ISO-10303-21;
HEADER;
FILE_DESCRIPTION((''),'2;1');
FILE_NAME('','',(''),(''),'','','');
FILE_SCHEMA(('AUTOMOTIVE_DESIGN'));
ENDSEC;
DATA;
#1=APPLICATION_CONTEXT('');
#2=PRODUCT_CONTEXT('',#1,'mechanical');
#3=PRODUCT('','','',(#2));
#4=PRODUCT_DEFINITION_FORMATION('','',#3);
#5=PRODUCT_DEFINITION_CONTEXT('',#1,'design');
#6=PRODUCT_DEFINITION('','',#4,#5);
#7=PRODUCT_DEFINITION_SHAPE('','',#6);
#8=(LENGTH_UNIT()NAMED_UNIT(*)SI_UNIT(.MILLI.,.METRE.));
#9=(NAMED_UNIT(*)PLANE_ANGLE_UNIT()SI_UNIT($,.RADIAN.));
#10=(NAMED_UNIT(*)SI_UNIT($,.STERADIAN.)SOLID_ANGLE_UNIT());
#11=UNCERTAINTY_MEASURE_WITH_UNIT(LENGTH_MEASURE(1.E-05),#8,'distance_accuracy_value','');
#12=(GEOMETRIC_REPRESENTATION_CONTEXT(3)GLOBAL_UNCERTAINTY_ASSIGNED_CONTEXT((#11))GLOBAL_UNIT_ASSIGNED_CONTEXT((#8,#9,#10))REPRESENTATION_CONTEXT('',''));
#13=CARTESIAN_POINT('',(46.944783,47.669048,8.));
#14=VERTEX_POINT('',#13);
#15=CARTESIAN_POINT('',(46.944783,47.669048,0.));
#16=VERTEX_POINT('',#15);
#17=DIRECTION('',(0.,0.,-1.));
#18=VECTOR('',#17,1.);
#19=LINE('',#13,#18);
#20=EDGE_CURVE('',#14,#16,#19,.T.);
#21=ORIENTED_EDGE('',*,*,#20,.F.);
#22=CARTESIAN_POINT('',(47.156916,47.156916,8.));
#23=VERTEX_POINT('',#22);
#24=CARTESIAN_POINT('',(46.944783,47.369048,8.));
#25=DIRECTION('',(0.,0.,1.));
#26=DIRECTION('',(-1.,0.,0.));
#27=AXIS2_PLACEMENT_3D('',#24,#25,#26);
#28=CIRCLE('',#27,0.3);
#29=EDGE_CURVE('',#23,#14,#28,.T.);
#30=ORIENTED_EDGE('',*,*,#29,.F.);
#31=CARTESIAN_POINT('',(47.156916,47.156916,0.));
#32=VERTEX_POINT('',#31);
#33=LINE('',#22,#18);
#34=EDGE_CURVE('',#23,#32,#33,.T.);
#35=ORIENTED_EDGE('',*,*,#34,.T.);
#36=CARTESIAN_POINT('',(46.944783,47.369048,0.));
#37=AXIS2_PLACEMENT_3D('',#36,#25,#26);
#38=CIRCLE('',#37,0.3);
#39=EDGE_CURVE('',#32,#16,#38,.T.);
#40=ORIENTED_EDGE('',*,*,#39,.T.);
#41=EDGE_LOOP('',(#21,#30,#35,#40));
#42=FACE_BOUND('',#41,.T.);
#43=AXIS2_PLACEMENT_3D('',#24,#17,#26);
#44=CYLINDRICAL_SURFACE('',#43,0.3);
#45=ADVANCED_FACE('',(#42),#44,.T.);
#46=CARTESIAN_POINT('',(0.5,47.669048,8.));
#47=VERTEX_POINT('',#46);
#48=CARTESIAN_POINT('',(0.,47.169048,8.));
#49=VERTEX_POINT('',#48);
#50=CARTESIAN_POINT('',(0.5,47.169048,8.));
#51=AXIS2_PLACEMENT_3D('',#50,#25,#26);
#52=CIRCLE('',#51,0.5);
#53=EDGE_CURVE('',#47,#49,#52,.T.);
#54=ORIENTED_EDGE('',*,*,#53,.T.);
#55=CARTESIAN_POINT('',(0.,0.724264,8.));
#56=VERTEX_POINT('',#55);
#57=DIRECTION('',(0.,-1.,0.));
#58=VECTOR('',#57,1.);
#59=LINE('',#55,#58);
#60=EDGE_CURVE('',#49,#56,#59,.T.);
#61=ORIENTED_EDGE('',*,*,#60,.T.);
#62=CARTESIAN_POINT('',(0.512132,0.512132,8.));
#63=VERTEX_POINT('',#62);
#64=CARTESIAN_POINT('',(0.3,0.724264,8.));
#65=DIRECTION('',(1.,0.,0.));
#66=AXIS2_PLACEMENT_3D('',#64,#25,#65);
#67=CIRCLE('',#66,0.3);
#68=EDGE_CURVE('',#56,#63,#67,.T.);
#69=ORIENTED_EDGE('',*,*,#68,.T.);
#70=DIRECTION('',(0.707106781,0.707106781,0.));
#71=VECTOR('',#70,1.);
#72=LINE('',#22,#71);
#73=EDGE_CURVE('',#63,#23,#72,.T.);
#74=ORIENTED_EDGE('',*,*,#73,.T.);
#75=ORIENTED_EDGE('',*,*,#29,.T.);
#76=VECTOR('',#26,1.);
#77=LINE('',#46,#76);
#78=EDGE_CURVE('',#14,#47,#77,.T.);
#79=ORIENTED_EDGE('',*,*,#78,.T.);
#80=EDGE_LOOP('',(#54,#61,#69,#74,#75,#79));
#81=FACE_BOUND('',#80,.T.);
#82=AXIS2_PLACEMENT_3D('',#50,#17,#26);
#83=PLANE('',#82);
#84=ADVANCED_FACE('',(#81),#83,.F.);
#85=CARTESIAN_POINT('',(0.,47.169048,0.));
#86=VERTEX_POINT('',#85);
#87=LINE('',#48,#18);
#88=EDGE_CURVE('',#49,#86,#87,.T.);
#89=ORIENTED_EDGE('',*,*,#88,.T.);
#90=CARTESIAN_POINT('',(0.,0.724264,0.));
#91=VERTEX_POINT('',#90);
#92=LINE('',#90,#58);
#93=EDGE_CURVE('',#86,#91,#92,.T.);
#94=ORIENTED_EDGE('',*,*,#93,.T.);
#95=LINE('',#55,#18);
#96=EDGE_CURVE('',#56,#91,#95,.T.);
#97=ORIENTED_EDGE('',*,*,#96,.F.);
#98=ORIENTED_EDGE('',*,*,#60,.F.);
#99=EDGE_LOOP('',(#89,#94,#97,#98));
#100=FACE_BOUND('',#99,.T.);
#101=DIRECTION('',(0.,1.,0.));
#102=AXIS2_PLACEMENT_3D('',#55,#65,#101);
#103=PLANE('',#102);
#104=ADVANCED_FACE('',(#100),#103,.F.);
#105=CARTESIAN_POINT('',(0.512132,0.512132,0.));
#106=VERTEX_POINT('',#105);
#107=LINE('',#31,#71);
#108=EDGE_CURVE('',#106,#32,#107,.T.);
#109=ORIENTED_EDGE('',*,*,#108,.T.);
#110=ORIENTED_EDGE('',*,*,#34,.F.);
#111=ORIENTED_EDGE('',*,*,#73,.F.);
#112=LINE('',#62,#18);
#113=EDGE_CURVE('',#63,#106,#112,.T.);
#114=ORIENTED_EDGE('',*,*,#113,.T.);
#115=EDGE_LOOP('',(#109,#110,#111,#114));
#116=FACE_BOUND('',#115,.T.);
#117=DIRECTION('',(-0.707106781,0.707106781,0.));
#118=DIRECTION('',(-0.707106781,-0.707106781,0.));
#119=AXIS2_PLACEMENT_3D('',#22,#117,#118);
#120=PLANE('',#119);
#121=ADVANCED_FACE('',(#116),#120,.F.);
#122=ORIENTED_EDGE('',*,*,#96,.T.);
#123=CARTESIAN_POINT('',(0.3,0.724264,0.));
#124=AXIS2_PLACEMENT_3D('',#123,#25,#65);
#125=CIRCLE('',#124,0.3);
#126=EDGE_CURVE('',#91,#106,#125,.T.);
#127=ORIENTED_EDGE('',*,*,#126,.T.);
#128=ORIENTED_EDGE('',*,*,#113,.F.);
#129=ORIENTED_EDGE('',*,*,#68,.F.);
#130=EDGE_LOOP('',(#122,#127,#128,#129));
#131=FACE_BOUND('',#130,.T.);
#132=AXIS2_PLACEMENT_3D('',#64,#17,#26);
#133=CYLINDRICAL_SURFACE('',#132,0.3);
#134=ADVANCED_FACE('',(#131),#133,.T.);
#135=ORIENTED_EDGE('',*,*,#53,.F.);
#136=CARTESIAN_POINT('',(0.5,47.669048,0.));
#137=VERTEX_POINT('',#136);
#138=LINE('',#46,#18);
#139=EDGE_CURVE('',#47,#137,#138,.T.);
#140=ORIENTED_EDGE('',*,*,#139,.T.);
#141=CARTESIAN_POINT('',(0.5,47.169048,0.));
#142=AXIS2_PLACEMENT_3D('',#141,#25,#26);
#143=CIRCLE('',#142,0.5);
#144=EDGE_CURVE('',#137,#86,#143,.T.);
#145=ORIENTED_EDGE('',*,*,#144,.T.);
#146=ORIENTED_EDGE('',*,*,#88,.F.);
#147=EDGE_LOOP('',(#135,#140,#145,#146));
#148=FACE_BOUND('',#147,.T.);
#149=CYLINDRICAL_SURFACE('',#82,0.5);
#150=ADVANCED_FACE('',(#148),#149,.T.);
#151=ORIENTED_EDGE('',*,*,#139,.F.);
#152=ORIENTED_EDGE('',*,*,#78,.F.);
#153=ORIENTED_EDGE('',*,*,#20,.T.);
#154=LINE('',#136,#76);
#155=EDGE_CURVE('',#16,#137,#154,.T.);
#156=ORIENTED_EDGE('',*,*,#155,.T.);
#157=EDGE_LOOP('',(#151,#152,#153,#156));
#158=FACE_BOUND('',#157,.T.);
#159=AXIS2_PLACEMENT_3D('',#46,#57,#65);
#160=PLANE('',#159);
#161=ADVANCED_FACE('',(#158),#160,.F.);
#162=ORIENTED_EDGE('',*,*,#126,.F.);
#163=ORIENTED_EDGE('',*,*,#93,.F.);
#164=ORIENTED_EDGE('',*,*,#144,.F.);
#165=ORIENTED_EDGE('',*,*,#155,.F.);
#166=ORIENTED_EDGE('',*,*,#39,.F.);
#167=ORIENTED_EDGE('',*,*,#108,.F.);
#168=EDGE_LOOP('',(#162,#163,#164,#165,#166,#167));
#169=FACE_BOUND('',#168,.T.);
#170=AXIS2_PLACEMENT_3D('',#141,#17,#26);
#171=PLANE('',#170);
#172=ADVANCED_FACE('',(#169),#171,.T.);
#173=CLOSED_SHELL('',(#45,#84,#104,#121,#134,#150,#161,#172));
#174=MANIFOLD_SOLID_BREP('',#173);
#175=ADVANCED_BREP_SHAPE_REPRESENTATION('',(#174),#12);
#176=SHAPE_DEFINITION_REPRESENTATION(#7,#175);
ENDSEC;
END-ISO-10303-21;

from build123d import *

# Parameters (mm, degrees)
BOSS_EXTRUDE1_DEPTH = 8


with BuildPart() as part:
    # Sketch1 → Boss-Extrude1 (new body)
    with BuildSketch(Plane.XY):
        with BuildLine():
            Line((0, 0.724264069), (0, 47.169047558))
            ThreePointArc((0, 47.169047558), (0.146446609, 47.522600949), (0.5, 47.669047558))
            Line((0.5, 47.669047558), (46.94478349, 47.669047558))
            ThreePointArc((46.94478349, 47.669047558), (47.221947349, 47.483852588), (47.156915524, 47.156915524))
            Line((47.156915524, 47.156915524), (0.512132034, 0.512132034))
            ThreePointArc((0.512132034, 0.512132034), (0.18519497, 0.447100209), (0, 0.724264069))
        make_face()
    extrude(amount=BOSS_EXTRUDE1_DEPTH)


solid = part.part
